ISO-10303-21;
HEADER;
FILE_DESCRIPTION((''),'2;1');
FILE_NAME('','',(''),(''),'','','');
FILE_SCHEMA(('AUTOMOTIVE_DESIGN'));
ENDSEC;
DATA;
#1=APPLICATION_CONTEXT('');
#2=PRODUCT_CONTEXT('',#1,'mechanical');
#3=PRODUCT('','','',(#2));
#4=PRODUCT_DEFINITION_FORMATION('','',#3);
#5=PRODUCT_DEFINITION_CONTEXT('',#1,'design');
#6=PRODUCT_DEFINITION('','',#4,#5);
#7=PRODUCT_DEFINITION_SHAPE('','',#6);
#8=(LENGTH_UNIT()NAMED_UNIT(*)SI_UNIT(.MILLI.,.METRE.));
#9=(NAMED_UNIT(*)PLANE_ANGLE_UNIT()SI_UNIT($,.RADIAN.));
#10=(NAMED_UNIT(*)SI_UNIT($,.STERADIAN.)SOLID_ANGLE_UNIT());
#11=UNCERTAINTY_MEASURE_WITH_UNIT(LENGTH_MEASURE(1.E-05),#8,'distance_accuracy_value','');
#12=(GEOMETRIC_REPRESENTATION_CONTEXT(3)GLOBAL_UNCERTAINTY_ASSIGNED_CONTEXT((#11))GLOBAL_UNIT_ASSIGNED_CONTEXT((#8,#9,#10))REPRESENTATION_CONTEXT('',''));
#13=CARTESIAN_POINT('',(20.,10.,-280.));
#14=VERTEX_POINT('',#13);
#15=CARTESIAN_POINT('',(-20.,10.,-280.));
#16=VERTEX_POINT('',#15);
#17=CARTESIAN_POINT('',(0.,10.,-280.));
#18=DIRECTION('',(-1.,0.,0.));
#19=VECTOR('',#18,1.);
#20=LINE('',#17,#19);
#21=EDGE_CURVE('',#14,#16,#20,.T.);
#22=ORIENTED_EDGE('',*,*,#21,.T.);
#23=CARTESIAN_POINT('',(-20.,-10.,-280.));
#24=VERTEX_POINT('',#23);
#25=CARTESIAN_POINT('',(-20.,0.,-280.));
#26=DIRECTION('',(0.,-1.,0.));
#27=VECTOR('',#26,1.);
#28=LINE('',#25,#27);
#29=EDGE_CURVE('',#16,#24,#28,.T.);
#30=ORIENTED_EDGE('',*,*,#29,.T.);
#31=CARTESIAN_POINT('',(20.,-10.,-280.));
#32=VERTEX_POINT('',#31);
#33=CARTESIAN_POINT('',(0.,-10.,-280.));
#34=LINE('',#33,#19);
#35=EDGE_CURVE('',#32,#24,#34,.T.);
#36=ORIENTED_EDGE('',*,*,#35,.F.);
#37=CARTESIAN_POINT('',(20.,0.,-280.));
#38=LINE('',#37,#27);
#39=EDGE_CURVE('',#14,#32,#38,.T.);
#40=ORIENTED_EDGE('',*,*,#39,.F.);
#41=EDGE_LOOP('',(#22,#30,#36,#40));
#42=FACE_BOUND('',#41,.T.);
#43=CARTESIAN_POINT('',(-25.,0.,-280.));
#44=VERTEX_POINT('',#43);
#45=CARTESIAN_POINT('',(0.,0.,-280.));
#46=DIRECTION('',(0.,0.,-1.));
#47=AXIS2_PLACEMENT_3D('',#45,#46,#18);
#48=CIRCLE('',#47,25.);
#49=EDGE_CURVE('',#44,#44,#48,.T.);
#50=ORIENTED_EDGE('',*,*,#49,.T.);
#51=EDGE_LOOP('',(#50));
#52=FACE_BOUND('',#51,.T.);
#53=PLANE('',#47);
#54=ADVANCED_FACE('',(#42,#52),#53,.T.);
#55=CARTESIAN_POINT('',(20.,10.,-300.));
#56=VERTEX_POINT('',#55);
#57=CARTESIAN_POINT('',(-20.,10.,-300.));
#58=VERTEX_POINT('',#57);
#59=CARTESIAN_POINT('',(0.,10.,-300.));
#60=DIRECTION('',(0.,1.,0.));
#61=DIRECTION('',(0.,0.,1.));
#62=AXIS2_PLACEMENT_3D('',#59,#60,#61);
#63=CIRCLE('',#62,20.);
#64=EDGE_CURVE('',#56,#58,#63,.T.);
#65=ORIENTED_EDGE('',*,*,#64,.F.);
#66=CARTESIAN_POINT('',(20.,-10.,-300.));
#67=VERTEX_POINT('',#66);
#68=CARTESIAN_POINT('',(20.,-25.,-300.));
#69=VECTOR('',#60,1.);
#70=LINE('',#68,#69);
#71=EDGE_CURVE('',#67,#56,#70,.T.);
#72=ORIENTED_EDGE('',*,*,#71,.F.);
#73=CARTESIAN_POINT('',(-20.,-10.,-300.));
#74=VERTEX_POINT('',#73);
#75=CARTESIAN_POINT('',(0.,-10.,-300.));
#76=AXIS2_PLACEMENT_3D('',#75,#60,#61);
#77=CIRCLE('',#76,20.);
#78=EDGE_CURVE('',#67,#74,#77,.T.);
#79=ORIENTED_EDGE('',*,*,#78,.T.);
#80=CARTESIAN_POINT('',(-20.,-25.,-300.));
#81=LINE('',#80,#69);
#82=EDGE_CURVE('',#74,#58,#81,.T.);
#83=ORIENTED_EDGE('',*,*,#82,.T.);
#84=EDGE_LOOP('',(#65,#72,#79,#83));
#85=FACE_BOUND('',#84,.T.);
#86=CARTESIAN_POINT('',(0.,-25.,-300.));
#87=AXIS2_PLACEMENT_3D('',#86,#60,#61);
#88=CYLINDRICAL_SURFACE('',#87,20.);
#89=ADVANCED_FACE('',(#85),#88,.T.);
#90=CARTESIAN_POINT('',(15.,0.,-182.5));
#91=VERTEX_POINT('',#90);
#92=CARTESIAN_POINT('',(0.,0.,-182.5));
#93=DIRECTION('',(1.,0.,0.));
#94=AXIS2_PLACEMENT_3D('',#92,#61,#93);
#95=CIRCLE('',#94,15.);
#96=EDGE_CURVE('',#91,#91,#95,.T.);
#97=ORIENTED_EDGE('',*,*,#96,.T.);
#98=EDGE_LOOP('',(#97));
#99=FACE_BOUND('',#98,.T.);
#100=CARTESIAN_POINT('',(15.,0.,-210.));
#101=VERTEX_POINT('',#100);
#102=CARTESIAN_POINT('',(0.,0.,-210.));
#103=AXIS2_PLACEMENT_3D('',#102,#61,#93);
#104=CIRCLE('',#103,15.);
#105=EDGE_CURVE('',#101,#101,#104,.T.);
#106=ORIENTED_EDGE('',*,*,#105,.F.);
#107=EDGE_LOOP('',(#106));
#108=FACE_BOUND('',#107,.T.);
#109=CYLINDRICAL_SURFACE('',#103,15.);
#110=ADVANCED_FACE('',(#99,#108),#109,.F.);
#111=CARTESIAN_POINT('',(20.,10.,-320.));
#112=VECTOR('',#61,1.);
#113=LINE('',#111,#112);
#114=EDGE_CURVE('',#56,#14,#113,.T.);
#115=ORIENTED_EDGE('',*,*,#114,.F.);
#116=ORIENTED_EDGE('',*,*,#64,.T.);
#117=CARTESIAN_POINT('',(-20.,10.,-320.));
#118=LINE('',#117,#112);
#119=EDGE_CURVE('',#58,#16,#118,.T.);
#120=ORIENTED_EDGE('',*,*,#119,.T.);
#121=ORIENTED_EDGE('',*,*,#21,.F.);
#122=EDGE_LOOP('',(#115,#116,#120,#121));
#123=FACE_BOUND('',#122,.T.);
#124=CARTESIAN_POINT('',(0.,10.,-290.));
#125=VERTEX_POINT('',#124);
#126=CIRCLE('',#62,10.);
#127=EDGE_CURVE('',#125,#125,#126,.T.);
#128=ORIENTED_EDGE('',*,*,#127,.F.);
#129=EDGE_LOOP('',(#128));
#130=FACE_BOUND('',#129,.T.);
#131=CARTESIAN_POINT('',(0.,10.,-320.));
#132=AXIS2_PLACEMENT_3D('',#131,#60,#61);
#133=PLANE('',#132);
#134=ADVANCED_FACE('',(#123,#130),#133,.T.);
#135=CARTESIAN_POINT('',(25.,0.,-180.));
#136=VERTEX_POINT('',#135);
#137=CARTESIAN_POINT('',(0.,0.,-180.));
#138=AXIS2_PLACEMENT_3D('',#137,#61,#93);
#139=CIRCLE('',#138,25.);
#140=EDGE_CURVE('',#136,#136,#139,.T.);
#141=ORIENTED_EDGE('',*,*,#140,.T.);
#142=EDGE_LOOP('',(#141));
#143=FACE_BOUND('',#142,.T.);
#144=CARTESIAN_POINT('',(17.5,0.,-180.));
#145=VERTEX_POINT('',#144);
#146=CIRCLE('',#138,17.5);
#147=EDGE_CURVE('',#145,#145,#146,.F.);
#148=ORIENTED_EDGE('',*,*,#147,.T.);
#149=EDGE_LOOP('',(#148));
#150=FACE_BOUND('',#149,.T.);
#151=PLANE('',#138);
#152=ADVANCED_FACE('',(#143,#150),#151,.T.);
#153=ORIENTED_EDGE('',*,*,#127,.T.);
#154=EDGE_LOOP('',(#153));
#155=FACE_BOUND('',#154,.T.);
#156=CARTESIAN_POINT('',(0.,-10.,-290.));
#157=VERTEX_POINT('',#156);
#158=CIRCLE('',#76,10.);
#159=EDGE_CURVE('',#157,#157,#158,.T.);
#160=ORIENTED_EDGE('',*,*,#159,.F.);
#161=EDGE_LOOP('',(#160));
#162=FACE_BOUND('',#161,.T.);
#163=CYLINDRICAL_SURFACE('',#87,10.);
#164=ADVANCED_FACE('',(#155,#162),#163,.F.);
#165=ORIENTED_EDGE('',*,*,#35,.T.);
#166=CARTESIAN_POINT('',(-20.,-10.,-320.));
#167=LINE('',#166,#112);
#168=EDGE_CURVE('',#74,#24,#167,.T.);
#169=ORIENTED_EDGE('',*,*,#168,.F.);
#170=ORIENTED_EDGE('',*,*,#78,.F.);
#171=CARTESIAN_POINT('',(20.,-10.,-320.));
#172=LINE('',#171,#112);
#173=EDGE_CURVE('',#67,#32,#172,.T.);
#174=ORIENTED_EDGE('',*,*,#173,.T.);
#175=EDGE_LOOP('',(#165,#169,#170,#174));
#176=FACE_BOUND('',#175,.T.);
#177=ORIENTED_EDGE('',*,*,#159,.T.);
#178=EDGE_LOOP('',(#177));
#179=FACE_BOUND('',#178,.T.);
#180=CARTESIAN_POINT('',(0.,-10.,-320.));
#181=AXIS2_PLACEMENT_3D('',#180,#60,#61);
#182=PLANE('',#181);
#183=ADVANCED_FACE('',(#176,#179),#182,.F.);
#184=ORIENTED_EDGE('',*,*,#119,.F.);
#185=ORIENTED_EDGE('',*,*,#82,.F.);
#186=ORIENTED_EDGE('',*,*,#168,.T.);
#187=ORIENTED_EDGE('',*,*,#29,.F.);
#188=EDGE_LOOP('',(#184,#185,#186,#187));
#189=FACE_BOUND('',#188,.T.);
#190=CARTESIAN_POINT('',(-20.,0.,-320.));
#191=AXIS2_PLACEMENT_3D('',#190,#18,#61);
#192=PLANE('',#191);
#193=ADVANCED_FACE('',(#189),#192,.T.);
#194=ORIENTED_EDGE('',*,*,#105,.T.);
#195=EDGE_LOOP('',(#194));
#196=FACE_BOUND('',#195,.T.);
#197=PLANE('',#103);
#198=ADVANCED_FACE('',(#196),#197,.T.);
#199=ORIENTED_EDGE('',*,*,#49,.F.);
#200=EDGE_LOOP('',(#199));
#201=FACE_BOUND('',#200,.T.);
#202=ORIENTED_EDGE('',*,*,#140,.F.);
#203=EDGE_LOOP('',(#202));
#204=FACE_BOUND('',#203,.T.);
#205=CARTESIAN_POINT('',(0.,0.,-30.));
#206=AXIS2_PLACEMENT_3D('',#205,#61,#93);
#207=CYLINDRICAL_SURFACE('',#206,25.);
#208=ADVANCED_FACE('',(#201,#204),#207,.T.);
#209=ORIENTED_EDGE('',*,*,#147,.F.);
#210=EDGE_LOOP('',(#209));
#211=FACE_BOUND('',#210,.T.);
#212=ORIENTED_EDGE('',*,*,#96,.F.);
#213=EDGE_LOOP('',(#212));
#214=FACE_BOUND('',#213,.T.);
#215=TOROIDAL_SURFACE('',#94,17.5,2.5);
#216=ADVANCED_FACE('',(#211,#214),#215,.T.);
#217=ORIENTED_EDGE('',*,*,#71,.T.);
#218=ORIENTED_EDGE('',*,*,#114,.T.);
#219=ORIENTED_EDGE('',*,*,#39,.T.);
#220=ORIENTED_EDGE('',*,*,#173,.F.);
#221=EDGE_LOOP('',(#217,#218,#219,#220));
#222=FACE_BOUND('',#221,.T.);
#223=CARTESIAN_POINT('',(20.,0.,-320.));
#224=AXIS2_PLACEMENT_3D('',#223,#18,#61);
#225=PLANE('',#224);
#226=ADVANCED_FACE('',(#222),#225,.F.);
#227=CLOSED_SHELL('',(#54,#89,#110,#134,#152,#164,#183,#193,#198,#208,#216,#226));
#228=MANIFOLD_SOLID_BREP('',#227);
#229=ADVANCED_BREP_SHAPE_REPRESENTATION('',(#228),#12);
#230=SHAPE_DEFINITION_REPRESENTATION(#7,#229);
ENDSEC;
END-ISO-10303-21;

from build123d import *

# Parameters (mm, degrees)
SKETCH_1_R               = 25
EXTRUDE_1_DEPTH          = 30
SKETCH_2_R               = 25
EXTRUDE_2_DEPTH          = 250
SKETCH_3_W               = 40
SKETCH_3_H               = 10
EXTRUDE_4_DEPTH          = 40
CUT_EXTRUDE_1_DEPTH      = 323.877685819
CUT_EXTRUDE_1_DEPTH_BACK = 323.877685819
CUT_EXTRUDE_2_DEPTH      = 323.877685819
CUT_EXTRUDE_2_DEPTH_BACK = 323.877685819
SKETCH_7_R               = 10
SKETCH_8_R               = 25
CUT_EXTRUDE_3_DEPTH      = 180
SKETCH_9_R               = 15
CUT_EXTRUDE_4_DEPTH      = 30
FILLET_1_R               = 2.5


with BuildPart() as part:
    # 스케치1 → 보스-돌출1 (new body)
    with BuildSketch(Plane.XY):
        Circle(SKETCH_1_R)
    extrude(amount=-EXTRUDE_1_DEPTH)

    # 스케치2 → 보스-돌출2 (add)
    with BuildSketch(Plane(origin=(0, 0, -30), x_dir=(-1, 0, 0), z_dir=(0, 0, -1))):
        with Locations(Location((0, 0, 0), (0, 0, 180))):
            Circle(SKETCH_2_R)
    extrude(amount=EXTRUDE_2_DEPTH)

    # 스케치3 → 보스-돌출4 (add)
    with BuildSketch(Plane(origin=(0, 0, -280), x_dir=(-1, 0, 0), z_dir=(0, 0, -1))):
        with Locations((0, -5)):
            Rectangle(SKETCH_3_W, SKETCH_3_H)
        with Locations((0, 5)):
            Rectangle(SKETCH_3_W, SKETCH_3_H)
    extrude(amount=EXTRUDE_4_DEPTH)

    # 스케치6 → 컷-돌출1 (cut, two sides: drawn at the far end of the back side and taken through both)
    with BuildSketch(Plane(origin=(0, 10, 0), x_dir=(1, 0, 0), z_dir=(0, 1, 0)).offset(-CUT_EXTRUDE_1_DEPTH_BACK)):
        with BuildLine():
            ThreePointArc((-20, 300), (-14.142135624, 314.142135624), (0, 320))
            Line((0, 320), (-20, 320))
            Line((-20, 320), (-20, 300))
        make_face()
        with BuildLine():
            Line((20, 320), (0, 320))
            ThreePointArc((0, 320), (14.142135624, 314.142135624), (20, 300))
            Line((20, 300), (20, 320))
        make_face()
    extrude(amount=CUT_EXTRUDE_1_DEPTH + CUT_EXTRUDE_1_DEPTH_BACK, mode=Mode.SUBTRACT)

    # 스케치7 → 컷-돌출2 (cut, two sides: drawn at the far end of the back side and taken through both)
    with BuildSketch(Plane(origin=(0, 10, 0), x_dir=(1, 0, 0), z_dir=(0, 1, 0)).offset(-CUT_EXTRUDE_2_DEPTH_BACK)):
        with Locations(Location((0, 300, 0), (0, 0, 270))):
            Circle(SKETCH_7_R)
    extrude(amount=CUT_EXTRUDE_2_DEPTH + CUT_EXTRUDE_2_DEPTH_BACK, mode=Mode.SUBTRACT)

    # 스케치8 → 컷-돌출3 (cut)
    with BuildSketch(Plane.XY):
        Circle(SKETCH_8_R)
    extrude(amount=-CUT_EXTRUDE_3_DEPTH, mode=Mode.SUBTRACT)

    # 스케치9 → 컷-돌출4 (cut)
    with BuildSketch(Plane.XY.offset(-180)):
        Circle(SKETCH_9_R)
    extrude(amount=-CUT_EXTRUDE_4_DEPTH, mode=Mode.SUBTRACT)

    # 필렛1
    fillet_1_edges = [part.edges().sort_by_distance(p)[0] for p in [
        (-15, 0, -180),
    ]]
    fillet(fillet_1_edges, radius=FILLET_1_R)


solid = part.part
